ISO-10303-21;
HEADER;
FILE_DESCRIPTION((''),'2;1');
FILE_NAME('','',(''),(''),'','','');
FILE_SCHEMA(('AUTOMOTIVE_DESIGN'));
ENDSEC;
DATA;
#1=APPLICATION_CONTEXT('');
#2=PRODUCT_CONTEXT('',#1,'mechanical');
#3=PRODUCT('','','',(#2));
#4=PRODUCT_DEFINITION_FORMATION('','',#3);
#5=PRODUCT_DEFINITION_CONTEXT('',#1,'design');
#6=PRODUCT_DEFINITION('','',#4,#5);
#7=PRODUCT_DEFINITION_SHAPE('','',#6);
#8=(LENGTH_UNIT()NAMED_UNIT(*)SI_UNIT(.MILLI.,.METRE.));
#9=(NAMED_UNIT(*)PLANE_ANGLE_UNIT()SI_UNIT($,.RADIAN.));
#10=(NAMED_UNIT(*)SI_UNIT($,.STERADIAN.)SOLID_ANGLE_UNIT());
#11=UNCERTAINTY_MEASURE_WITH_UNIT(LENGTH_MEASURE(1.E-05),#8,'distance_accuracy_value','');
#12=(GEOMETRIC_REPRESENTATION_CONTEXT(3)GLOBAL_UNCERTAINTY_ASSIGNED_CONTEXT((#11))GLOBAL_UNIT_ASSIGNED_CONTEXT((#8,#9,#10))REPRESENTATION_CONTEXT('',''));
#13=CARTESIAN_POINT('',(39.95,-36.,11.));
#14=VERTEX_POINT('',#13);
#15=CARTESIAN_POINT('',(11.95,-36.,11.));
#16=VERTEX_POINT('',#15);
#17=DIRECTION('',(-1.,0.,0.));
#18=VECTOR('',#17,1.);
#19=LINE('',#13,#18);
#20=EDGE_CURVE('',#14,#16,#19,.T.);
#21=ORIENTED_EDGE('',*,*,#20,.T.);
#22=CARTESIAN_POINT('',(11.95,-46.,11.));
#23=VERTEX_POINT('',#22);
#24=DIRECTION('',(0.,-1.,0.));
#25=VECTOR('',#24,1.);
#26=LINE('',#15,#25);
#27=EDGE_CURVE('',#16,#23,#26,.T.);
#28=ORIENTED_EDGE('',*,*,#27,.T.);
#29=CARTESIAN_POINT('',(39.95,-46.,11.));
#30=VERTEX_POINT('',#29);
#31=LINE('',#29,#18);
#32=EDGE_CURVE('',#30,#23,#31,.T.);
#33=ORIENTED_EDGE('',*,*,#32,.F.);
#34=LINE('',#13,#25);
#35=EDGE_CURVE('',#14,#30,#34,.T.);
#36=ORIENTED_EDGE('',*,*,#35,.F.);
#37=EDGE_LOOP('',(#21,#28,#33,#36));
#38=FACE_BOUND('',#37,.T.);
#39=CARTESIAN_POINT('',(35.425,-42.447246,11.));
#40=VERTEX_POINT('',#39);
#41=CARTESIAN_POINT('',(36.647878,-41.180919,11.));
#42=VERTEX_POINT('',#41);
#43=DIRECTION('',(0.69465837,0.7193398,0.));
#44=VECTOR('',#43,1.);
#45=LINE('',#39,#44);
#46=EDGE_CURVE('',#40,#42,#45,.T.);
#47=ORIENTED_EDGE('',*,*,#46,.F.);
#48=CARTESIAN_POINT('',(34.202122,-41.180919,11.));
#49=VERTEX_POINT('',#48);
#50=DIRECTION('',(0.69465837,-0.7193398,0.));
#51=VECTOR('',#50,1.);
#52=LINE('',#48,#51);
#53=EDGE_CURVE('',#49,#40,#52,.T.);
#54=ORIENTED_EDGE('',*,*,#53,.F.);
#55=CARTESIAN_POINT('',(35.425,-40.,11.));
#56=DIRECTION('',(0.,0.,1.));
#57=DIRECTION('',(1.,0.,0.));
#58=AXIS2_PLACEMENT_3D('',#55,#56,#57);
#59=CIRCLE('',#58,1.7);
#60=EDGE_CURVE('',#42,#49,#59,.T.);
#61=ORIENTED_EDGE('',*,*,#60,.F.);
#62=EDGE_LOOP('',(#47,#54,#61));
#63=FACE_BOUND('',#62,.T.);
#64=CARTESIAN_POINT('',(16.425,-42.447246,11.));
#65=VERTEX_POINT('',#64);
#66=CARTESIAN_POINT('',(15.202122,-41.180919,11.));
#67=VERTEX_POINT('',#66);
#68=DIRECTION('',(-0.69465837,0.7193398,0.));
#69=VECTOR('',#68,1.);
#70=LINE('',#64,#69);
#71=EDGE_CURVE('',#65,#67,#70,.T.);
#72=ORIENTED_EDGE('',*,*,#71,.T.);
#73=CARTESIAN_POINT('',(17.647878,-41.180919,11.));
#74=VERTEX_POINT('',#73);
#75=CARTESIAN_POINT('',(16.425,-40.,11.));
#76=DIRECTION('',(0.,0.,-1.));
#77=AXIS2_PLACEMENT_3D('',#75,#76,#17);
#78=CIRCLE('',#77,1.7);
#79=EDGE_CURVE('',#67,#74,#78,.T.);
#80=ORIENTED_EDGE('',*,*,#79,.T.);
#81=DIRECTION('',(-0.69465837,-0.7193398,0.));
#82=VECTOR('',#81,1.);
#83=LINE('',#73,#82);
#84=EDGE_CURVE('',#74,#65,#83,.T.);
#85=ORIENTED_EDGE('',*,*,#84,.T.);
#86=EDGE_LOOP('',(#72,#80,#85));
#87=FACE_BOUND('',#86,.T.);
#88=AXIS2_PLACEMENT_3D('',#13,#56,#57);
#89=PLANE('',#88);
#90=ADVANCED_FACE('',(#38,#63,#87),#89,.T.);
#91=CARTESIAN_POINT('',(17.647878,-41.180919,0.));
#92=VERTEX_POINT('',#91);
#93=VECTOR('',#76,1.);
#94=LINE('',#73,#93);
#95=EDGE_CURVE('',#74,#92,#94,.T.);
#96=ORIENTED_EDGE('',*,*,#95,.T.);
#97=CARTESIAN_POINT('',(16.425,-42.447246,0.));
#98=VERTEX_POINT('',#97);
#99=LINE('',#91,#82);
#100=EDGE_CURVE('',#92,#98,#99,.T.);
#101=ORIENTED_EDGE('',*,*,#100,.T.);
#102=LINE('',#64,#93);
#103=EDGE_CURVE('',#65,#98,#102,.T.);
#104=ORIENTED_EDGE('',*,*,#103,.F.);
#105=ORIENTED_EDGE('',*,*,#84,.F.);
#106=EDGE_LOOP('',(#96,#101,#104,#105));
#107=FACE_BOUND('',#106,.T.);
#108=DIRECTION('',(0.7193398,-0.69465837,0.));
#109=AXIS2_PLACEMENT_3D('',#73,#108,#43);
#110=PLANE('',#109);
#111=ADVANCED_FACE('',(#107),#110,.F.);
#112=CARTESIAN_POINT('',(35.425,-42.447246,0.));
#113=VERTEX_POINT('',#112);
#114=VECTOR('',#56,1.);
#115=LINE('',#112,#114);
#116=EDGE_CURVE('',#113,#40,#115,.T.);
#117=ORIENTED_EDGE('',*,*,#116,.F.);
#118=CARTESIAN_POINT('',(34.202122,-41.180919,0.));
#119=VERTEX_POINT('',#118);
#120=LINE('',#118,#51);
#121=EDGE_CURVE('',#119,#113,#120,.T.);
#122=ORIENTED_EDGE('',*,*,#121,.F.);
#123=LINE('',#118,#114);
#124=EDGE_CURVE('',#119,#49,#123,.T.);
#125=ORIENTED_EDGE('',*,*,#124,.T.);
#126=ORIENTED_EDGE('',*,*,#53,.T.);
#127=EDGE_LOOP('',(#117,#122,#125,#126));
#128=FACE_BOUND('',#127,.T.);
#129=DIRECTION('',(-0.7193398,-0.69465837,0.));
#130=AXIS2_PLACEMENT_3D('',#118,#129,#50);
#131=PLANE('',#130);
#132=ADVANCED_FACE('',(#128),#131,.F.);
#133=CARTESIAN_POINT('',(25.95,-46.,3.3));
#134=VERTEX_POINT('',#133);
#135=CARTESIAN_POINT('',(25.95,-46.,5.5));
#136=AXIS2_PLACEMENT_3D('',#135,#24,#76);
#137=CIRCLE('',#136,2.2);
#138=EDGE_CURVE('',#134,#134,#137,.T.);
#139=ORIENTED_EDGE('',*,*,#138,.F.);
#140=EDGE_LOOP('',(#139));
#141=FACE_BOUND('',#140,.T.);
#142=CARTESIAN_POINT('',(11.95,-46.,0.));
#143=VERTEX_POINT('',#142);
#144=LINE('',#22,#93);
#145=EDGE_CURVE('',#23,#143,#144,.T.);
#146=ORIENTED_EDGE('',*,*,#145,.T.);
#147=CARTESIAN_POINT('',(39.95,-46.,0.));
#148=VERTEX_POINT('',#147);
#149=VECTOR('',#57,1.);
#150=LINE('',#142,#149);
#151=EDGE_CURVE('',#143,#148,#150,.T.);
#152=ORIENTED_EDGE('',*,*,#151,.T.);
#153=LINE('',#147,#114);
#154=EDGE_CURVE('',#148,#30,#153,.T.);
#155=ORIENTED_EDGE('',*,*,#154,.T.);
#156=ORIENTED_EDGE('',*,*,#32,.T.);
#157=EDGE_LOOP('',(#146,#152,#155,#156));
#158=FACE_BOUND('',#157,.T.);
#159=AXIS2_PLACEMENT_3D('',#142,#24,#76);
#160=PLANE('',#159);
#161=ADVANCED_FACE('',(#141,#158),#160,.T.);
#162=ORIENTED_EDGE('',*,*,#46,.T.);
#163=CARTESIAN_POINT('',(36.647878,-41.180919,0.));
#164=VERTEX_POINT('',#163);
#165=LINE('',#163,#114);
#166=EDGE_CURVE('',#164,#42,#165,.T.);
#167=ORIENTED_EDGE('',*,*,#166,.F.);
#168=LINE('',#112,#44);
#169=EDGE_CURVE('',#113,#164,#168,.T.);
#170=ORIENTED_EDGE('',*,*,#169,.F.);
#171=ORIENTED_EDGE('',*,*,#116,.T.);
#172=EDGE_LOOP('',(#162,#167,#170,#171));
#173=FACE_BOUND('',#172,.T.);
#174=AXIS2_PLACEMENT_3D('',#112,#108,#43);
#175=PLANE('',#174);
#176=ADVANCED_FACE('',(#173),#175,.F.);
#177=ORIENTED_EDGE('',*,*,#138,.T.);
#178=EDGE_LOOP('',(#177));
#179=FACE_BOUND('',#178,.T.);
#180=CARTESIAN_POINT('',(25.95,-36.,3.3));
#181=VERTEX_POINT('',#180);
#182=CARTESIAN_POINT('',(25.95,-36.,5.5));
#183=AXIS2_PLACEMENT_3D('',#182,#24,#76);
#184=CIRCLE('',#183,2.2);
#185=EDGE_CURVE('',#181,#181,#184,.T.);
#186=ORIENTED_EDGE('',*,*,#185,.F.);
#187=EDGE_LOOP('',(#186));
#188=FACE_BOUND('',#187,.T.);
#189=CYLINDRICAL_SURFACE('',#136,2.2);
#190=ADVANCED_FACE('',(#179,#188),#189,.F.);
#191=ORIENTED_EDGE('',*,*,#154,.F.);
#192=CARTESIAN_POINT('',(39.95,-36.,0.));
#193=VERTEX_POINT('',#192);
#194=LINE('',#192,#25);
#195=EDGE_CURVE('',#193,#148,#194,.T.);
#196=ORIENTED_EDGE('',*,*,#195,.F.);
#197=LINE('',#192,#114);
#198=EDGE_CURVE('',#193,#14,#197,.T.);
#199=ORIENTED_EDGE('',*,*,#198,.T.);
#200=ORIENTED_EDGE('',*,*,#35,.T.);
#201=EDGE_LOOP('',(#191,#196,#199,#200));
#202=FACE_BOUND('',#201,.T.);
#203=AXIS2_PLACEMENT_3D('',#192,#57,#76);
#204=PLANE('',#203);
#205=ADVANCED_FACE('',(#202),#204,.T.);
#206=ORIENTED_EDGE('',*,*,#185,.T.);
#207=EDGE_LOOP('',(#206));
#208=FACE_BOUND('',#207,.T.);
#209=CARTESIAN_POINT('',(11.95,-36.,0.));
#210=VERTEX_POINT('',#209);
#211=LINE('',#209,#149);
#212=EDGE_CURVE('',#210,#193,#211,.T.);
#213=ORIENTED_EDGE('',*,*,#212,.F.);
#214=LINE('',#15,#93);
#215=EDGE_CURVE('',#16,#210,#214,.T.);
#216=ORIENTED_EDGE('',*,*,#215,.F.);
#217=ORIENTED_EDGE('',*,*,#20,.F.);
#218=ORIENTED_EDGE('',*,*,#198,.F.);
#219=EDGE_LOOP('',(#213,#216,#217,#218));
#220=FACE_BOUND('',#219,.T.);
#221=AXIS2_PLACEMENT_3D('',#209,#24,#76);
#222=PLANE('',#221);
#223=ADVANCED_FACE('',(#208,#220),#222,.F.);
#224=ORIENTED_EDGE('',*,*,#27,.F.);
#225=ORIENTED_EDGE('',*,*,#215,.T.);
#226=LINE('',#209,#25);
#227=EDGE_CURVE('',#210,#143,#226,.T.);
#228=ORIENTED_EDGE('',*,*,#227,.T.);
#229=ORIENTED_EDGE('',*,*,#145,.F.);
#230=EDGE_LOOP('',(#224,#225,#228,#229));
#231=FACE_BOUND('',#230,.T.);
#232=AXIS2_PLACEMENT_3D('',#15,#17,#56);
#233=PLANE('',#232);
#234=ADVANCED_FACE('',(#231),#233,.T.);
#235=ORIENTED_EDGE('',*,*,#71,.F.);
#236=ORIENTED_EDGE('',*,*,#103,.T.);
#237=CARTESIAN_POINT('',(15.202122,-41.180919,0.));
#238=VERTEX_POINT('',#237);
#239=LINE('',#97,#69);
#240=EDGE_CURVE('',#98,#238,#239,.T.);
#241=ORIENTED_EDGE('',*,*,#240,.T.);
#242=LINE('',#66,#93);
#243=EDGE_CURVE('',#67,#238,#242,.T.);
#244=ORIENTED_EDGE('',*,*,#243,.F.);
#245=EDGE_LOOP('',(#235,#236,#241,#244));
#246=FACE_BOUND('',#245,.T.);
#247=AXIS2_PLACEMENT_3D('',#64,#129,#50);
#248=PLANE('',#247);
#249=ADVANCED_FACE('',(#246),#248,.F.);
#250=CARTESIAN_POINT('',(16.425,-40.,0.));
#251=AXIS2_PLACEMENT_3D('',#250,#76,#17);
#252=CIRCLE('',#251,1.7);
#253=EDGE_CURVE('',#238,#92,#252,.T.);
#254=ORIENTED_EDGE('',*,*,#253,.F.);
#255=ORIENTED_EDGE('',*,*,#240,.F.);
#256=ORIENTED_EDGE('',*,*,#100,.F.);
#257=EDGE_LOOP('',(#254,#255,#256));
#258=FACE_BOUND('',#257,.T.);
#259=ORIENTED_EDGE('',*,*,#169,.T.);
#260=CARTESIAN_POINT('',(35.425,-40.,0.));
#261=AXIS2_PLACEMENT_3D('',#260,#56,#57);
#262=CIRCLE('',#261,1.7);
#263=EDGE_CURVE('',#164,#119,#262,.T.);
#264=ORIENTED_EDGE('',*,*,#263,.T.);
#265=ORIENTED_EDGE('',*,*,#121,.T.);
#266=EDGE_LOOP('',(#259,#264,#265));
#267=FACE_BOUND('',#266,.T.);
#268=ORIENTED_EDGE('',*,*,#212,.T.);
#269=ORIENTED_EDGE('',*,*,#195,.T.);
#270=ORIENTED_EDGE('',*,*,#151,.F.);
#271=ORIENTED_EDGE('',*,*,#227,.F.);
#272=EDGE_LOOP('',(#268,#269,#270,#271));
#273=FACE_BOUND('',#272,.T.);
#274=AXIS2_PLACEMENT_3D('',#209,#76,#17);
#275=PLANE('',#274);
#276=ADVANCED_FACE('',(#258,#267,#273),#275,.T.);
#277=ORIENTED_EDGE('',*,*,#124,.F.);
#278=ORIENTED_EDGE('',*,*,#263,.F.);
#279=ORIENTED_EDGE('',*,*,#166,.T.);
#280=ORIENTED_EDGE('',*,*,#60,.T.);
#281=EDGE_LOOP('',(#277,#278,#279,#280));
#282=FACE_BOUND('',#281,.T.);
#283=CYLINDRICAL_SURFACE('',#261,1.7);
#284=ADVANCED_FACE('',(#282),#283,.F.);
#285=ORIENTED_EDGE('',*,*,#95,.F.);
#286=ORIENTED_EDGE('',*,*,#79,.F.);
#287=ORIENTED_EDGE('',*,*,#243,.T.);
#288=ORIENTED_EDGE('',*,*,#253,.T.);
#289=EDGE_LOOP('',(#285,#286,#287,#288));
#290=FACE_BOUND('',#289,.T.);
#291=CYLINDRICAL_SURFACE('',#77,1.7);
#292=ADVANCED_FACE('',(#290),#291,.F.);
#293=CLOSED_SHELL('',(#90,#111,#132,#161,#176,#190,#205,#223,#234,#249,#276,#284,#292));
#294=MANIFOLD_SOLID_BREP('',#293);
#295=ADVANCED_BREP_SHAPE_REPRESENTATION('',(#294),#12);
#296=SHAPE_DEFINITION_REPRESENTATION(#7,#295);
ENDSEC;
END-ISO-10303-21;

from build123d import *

# Parameters (mm, degrees)
SKETCH1_W           = 28
SKETCH1_H           = 11
BOSS_EXTRUDE1_DEPTH = 10
CUT_EXTRUDE1_DEPTH  = 62.911246959
CUT_EXTRUDE2_DEPTH  = 62.911246959
HOLE1_D             = 4.4


with BuildPart() as part:
    # Sketch1 → Boss-Extrude1 (new body)
    with BuildSketch(Plane.XZ.offset(46)):
        with Locations((25.95, 5.5)):
            Rectangle(SKETCH1_W, SKETCH1_H)
    extrude(amount=-BOSS_EXTRUDE1_DEPTH)

    # Sketch2 → Cut-Extrude1 (cut, through all)
    with BuildSketch(Plane.XY.offset(11)):
        with BuildLine():
            Line((35.425, -42.447246117), (36.647877661, -41.18091923))
            ThreePointArc((36.647877661, -41.18091923), (35.425, -38.3), (34.202122339, -41.18091923))
            Line((34.202122339, -41.18091923), (35.425, -42.447246117))
        make_face()
    extrude(amount=-CUT_EXTRUDE1_DEPTH, mode=Mode.SUBTRACT)

    # Sketch3 → Cut-Extrude2 (cut, through all)
    with BuildSketch(Plane(origin=(0, 0, 0), x_dir=(-1, 0, 0), z_dir=(0, 0, -1))):
        with BuildLine():
            Line((-17.647877661, -41.18091923), (-16.425, -42.447246117))
            Line((-16.425, -42.447246117), (-15.202122339, -41.18091923))
            ThreePointArc((-15.202122339, -41.18091923), (-16.425, -38.3), (-17.647877661, -41.18091923))
        make_face()
    extrude(amount=-CUT_EXTRUDE2_DEPTH, mode=Mode.SUBTRACT)

    # Hole1 (through all)
    with Locations(Plane.XZ.offset(46)):
        with Locations((25.95, 5.5)):
            Hole(HOLE1_D / 2)


solid = part.part
